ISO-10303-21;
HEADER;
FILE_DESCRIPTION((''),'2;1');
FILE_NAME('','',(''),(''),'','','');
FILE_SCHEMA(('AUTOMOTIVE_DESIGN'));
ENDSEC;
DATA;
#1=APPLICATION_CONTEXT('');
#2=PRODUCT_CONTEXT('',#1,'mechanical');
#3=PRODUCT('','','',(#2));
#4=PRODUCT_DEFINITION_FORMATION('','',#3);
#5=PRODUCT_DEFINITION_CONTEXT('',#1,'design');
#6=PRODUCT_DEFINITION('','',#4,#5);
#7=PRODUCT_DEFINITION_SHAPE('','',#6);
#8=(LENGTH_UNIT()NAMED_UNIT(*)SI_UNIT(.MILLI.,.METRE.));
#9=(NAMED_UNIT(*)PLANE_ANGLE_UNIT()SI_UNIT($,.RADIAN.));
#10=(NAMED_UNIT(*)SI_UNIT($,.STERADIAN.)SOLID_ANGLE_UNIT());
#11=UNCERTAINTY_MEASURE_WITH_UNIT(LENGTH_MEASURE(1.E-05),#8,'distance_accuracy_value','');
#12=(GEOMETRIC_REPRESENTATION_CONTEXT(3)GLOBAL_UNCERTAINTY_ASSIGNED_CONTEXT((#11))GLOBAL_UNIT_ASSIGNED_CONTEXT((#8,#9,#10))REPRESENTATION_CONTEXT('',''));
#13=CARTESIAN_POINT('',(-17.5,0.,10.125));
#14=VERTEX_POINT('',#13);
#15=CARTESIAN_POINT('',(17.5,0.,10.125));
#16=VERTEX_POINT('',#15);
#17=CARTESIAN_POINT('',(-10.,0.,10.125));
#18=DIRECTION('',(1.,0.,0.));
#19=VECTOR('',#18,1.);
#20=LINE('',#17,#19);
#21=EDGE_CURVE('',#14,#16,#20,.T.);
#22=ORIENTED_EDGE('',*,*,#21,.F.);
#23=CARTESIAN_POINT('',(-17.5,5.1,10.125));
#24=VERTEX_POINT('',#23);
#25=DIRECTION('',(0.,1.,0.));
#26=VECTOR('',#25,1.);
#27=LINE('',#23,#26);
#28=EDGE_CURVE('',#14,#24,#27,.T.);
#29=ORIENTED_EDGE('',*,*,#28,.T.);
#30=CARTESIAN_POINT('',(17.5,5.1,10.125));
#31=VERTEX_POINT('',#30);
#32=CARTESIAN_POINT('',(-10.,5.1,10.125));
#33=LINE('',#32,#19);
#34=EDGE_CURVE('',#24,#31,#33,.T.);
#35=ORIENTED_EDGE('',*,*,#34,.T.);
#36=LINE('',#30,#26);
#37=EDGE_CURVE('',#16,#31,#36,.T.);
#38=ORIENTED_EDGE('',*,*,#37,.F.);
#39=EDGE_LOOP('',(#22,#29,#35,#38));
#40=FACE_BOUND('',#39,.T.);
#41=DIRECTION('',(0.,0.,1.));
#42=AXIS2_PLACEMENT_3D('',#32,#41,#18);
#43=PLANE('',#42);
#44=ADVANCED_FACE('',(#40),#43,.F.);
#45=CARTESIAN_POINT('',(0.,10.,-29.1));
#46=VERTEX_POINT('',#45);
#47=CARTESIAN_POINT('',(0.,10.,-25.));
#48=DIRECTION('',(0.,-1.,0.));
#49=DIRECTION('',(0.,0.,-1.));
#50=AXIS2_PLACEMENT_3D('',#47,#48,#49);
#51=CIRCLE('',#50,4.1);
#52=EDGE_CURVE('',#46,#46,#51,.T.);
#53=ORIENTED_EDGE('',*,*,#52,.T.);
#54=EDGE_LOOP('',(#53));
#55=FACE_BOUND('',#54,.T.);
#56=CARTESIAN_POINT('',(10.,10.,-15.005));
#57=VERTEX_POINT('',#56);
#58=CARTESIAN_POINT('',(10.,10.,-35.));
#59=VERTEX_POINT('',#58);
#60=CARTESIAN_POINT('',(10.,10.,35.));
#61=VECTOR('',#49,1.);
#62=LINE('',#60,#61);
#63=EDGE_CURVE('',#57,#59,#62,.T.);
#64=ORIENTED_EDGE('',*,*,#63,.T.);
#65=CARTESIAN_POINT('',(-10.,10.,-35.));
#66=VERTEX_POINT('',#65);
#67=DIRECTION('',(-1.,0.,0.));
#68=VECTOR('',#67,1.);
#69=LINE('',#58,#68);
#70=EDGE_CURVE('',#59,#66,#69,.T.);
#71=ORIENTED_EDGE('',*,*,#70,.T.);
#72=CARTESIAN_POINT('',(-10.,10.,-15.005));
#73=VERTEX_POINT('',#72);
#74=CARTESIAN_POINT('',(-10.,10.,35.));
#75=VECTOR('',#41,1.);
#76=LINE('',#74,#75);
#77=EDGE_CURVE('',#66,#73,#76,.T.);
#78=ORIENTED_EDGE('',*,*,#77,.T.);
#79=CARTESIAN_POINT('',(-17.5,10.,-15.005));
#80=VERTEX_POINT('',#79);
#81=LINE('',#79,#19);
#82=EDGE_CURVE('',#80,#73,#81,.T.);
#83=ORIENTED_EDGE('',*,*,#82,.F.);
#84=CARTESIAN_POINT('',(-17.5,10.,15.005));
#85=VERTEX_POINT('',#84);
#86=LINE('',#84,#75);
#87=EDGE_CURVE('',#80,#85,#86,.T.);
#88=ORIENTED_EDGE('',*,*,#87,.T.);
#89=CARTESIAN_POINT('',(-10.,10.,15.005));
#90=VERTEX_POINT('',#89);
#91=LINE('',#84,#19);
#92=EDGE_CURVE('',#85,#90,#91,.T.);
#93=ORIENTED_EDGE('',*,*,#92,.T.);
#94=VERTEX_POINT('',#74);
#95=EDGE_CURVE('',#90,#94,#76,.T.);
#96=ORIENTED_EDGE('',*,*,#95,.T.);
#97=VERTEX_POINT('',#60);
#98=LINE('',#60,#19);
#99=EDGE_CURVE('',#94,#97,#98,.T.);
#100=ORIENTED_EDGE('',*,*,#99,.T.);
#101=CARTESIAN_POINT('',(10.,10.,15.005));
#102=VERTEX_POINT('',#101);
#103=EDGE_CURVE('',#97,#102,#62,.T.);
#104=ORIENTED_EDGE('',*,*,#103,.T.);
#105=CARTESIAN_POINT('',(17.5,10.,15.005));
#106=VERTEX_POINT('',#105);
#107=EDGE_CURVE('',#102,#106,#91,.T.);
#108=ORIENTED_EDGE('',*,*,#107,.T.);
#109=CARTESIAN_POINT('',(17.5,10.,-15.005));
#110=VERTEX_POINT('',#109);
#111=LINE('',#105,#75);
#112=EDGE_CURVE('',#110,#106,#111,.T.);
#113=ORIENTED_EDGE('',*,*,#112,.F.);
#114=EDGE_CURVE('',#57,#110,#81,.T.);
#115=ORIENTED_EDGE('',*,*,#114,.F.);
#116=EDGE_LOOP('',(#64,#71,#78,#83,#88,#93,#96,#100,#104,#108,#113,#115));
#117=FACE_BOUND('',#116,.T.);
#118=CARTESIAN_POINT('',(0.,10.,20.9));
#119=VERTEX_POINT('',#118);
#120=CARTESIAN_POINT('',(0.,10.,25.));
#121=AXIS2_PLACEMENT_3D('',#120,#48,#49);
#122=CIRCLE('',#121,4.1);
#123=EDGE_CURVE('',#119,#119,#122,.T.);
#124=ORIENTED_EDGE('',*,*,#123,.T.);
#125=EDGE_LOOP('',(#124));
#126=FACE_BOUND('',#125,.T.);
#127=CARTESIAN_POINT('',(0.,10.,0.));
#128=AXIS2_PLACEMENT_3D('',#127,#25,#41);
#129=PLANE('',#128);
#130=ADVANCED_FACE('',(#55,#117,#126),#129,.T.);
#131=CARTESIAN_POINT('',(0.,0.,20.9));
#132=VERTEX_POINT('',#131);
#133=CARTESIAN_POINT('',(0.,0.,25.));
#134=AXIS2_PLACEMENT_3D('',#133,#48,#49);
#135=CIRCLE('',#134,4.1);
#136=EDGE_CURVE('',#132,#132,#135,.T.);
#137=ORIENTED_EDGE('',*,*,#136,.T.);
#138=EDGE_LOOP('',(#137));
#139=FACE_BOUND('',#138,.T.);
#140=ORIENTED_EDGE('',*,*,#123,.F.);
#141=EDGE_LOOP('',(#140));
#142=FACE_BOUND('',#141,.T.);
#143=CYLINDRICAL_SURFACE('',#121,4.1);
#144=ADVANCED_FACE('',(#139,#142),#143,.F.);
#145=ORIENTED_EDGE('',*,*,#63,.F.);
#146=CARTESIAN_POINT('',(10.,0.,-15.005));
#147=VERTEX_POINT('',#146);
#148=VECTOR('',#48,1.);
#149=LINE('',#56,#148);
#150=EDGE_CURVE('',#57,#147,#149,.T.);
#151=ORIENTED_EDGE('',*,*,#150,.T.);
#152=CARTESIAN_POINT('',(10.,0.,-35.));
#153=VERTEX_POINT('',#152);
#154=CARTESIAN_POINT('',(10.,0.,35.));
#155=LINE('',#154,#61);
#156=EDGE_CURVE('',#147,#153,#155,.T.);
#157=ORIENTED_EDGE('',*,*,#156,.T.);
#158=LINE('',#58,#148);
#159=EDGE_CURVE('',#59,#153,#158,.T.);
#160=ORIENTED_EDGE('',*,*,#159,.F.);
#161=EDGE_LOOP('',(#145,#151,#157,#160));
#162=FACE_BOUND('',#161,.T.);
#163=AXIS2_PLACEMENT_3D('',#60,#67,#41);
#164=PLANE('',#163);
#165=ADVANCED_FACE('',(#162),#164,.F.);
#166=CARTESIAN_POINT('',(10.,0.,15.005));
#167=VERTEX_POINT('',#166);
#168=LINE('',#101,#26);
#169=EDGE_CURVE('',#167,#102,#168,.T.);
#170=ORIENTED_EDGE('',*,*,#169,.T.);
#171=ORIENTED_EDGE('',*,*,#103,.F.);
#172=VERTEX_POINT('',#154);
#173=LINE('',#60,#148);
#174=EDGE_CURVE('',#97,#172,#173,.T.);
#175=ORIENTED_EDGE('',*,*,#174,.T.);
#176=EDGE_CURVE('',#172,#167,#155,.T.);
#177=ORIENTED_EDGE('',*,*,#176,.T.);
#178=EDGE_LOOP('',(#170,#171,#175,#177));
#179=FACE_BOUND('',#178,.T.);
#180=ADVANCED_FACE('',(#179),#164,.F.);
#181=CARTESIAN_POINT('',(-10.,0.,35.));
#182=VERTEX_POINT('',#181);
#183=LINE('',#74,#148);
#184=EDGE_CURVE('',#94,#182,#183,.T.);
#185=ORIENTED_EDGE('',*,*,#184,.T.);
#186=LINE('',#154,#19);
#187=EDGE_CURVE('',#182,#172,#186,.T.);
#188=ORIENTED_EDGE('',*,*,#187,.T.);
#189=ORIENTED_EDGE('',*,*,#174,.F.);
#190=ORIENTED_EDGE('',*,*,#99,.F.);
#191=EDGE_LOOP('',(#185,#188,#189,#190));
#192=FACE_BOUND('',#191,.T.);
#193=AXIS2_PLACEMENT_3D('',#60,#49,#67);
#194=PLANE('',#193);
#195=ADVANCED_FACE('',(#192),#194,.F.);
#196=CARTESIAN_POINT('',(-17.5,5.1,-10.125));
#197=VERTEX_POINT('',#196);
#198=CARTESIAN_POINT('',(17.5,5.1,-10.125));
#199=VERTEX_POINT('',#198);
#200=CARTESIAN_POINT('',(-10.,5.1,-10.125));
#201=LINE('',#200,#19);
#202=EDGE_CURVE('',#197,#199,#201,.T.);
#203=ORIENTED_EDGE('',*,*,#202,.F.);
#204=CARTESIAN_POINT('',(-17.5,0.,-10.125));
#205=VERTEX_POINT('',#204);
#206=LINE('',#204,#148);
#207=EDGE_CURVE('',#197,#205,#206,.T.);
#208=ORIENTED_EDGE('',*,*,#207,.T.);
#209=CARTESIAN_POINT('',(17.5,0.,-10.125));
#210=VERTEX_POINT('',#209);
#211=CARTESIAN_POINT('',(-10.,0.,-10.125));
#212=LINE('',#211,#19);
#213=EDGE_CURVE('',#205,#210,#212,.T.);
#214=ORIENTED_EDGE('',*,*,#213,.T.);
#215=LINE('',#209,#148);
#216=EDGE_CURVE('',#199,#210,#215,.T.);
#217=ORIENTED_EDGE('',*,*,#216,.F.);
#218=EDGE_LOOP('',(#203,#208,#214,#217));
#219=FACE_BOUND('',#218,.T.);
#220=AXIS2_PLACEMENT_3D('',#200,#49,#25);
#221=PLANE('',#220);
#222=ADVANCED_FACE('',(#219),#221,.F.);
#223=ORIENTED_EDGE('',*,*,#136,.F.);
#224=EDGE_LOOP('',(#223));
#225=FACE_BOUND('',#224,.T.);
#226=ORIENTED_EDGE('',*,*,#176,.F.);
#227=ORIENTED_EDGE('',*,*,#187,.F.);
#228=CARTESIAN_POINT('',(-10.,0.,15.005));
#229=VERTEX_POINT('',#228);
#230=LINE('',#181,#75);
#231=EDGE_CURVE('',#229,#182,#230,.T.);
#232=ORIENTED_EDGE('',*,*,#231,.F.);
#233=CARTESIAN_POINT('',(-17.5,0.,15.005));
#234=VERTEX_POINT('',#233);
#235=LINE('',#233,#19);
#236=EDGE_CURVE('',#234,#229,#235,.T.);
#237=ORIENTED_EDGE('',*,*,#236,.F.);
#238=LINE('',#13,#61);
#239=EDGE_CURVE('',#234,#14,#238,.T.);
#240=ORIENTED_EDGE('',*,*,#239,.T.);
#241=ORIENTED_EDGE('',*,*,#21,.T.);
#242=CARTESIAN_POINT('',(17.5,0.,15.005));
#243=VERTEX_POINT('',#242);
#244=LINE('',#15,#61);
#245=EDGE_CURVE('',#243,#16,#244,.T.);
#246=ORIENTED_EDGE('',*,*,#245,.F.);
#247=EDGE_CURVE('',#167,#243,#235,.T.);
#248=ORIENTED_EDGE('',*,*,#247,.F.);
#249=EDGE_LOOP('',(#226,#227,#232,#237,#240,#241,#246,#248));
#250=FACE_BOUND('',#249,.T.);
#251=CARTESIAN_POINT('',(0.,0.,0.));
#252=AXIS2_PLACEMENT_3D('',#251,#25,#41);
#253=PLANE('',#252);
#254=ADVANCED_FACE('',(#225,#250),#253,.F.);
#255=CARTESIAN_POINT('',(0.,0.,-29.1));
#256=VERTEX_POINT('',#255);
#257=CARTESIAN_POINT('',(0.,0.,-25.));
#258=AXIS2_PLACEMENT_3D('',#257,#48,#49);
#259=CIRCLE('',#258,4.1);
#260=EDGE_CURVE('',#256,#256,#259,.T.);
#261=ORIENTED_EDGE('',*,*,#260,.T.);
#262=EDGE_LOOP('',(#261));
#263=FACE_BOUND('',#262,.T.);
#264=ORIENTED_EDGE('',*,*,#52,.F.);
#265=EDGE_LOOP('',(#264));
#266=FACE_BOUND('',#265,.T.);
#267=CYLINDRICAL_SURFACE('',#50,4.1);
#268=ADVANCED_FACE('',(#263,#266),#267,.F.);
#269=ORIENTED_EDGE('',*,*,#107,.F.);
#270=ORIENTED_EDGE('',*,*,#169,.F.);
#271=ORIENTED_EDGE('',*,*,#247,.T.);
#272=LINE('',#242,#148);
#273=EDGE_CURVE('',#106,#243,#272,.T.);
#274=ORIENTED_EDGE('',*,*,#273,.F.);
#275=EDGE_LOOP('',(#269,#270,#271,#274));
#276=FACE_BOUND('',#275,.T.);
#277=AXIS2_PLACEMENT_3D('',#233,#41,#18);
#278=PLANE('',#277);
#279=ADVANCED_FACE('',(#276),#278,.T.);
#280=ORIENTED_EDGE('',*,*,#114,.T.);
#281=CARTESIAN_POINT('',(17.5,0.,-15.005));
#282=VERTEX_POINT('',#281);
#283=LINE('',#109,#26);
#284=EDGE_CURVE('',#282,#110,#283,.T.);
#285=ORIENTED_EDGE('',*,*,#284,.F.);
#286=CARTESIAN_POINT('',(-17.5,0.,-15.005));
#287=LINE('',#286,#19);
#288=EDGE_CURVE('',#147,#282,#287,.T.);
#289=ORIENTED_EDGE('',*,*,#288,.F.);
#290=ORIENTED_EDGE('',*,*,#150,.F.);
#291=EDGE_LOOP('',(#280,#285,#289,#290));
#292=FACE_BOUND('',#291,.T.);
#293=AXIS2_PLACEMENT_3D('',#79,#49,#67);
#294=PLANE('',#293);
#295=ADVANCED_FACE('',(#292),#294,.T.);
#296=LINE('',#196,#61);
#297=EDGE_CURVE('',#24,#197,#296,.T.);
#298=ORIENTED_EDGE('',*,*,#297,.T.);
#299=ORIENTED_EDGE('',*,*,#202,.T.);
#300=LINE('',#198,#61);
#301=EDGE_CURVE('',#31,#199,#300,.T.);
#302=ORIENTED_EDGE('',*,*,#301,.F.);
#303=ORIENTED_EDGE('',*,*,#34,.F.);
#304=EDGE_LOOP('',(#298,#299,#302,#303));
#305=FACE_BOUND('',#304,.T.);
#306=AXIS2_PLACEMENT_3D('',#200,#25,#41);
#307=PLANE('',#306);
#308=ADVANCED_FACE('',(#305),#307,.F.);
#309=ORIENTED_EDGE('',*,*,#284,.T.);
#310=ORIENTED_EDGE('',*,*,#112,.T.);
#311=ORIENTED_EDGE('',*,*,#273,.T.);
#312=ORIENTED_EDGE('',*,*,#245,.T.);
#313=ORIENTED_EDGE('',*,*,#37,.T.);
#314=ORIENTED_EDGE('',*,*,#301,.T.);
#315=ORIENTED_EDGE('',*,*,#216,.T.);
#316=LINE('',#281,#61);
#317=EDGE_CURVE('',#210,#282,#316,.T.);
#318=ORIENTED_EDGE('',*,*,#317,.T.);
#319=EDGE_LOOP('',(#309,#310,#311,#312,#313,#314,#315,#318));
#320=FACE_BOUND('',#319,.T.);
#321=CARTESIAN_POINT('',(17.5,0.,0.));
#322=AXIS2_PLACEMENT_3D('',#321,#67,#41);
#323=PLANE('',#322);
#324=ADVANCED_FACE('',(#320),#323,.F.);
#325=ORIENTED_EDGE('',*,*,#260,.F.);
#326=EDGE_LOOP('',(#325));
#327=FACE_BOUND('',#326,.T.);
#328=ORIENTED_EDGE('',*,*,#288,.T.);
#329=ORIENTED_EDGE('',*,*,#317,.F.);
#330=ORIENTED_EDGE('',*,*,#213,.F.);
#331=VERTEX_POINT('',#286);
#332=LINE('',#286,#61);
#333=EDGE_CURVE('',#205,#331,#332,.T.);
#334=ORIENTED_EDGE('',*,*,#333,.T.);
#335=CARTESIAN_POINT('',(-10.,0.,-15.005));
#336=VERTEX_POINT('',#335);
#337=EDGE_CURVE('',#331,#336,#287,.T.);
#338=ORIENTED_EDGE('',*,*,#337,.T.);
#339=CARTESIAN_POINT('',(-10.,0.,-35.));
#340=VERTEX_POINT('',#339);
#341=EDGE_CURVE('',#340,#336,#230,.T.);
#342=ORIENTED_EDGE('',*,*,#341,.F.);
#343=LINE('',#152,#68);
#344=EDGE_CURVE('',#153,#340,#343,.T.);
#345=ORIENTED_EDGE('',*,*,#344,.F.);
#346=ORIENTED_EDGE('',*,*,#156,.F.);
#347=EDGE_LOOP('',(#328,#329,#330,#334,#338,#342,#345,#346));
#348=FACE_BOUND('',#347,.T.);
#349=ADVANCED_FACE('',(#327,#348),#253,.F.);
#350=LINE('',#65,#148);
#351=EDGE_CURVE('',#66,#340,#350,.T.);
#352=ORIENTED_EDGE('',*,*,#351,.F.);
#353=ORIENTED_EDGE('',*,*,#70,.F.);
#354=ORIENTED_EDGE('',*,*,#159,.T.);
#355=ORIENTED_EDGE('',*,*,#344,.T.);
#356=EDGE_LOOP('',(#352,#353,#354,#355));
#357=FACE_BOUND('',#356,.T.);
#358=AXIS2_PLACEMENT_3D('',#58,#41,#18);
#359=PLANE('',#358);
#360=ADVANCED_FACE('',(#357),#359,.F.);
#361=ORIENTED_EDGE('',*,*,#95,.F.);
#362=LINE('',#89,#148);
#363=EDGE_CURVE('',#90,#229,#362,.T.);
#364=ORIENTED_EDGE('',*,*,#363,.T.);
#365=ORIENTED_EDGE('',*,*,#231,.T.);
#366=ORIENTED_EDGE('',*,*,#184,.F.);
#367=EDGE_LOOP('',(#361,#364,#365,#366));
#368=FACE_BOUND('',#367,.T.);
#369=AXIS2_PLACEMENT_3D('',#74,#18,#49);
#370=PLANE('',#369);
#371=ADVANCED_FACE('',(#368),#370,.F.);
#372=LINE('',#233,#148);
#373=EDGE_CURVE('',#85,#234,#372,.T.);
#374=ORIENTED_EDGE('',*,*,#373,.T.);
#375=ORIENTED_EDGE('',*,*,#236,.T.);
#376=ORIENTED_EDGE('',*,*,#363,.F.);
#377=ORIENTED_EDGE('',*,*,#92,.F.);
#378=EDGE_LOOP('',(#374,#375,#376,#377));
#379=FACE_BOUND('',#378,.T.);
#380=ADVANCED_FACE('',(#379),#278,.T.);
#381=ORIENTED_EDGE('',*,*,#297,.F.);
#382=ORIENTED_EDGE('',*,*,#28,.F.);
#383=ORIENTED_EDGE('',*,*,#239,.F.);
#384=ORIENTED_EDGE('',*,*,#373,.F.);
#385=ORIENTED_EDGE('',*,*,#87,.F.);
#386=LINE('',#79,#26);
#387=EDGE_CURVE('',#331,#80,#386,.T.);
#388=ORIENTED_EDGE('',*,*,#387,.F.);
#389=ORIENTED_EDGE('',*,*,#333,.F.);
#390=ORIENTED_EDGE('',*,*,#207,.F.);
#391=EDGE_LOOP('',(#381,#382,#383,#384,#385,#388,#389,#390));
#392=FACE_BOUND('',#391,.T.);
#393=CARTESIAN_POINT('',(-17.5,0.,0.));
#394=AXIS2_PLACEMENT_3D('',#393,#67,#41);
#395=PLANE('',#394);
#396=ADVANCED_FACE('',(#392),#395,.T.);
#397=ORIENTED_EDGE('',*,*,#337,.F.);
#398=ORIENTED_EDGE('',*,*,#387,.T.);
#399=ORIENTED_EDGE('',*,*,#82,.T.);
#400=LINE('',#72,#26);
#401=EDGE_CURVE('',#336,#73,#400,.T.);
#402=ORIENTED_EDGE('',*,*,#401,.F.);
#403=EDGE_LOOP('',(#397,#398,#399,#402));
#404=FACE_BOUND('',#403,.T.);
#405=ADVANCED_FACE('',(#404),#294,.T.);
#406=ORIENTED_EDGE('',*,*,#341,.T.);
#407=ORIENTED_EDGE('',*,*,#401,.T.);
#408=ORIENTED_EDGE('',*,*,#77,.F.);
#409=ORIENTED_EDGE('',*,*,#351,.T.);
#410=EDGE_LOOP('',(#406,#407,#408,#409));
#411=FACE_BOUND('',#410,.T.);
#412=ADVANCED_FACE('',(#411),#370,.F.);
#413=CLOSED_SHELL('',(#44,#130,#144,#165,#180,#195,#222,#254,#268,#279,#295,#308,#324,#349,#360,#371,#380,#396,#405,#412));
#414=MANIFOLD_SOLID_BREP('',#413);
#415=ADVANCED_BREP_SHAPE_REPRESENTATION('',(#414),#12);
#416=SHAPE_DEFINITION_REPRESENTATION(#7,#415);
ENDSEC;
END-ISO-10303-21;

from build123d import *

# Parameters (mm, degrees)
SKETCH1_W                = 20
SKETCH1_H                = 70
BOSS_EXTRUDE1_DEPTH      = 10
CUT_EXTRUDE1_DEPTH       = 42.533119315
CUT_EXTRUDE1_DEPTH_BACK  = 42.533119315
SKETCH2_W                = 20.25
SKETCH2_H                = 5.1
SKETCH3_R                = 4.1
CUT_EXTRUDE2_DEPTH       = 38.749172176
BOSS_EXTRUDE2_DEPTH      = 7.5
BOSS_EXTRUDE2_DEPTH_BACK = 27.5


with BuildPart() as part:
    # Sketch1 → Boss-Extrude1 (new body)
    with BuildSketch(Plane(origin=(0, 0, 0), x_dir=(1, 0, 0), z_dir=(0, 1, 0))):
        Rectangle(SKETCH1_W, SKETCH1_H)
    extrude(amount=BOSS_EXTRUDE1_DEPTH)

    # Sketch2 → Cut-Extrude1 (cut, two sides: drawn at the far end of the back side and taken through both)
    with BuildSketch(Plane(origin=(10, 0, 0), x_dir=(0, 0, -1), z_dir=(1, 0, 0)).offset(-CUT_EXTRUDE1_DEPTH_BACK)):
        with Locations((0, 2.55)):
            Rectangle(SKETCH2_W, SKETCH2_H)
    extrude(amount=CUT_EXTRUDE1_DEPTH + CUT_EXTRUDE1_DEPTH_BACK, mode=Mode.SUBTRACT)

    # Sketch3 → Cut-Extrude2 (cut, through all)
    with BuildSketch(Plane.XZ):
        with Locations(Location((0, 25, 0), (0, 0, 270))):
            Circle(SKETCH3_R)
        with Locations(Location((0, -25, 0), (0, 0, 270))):
            Circle(SKETCH3_R)
    extrude(amount=-CUT_EXTRUDE2_DEPTH, mode=Mode.SUBTRACT)

    # Sketch4 → Boss-Extrude2 (add, two sides: drawn at the far end of the back side and taken through both)
    with BuildSketch(Plane(origin=(10, 0, 0), x_dir=(0, 0, -1), z_dir=(1, 0, 0)).offset(-BOSS_EXTRUDE2_DEPTH_BACK)):
        Polygon((-10.125, 0), (-15.005, 0), (-15.005, 10), (15.005, 10), (15.005, 0), (10.125, 0), (10.125, 5.1), (-10.125, 5.1), align=None)
    extrude(amount=BOSS_EXTRUDE2_DEPTH + BOSS_EXTRUDE2_DEPTH_BACK)


solid = part.part
